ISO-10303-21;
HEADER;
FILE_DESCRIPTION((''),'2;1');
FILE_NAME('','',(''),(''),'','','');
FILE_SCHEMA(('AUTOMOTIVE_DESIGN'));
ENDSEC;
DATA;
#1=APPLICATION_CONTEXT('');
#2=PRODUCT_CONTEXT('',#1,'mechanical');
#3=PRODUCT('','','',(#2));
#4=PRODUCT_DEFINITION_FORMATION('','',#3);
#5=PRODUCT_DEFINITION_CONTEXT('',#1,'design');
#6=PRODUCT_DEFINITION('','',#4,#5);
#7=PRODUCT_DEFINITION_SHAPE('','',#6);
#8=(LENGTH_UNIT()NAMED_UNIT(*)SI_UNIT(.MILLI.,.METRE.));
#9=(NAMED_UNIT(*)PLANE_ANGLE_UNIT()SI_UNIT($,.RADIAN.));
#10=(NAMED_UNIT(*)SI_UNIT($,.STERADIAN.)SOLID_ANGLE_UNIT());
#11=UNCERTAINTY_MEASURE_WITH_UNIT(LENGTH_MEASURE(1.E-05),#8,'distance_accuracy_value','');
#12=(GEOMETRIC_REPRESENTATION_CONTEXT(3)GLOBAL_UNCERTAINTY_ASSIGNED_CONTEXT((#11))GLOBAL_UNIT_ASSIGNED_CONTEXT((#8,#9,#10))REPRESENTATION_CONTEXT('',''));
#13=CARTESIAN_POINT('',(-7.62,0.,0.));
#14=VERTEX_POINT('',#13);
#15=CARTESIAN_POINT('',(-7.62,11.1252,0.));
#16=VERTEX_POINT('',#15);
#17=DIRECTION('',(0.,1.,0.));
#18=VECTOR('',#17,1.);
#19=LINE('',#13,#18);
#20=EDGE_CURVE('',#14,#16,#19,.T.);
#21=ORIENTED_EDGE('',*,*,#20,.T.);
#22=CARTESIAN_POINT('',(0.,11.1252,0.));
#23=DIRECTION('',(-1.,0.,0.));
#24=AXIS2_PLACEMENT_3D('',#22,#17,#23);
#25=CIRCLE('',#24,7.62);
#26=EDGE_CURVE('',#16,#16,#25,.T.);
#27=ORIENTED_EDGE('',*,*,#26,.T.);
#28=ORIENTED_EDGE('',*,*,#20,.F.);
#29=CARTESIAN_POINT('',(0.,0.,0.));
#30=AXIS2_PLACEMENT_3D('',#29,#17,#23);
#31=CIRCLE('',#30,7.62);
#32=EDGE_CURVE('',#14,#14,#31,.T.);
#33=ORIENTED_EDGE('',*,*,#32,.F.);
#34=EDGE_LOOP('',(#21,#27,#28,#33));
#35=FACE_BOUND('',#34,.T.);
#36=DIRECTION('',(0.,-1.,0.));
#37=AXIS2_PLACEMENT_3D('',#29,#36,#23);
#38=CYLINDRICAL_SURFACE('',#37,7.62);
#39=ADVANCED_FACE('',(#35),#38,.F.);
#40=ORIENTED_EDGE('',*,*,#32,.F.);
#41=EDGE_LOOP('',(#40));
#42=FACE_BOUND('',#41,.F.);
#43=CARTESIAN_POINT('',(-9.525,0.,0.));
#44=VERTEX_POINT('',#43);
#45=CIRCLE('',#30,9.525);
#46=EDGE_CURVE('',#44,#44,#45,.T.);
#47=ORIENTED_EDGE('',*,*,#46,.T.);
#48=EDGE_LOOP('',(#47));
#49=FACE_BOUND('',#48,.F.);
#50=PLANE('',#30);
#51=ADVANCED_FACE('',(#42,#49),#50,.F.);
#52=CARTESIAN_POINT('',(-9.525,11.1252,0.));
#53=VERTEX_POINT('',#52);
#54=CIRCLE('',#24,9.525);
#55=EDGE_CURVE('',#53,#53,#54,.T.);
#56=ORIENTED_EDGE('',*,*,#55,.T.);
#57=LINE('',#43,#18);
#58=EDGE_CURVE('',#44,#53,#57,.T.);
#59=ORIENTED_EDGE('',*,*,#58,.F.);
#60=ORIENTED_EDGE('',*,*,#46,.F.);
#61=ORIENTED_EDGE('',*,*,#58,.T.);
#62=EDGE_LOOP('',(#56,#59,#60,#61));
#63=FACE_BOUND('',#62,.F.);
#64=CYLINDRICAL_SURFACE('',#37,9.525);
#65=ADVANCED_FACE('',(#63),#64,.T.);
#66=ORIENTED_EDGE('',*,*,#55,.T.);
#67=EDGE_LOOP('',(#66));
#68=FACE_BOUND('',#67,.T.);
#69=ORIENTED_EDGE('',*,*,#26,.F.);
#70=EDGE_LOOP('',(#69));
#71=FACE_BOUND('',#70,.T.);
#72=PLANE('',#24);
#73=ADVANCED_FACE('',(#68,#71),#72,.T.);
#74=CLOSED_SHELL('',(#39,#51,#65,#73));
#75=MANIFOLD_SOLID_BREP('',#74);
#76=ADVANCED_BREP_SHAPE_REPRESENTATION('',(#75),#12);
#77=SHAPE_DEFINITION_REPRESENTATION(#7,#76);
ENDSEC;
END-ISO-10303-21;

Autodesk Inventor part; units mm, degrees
ref_plane "YZ Plane" through (0, 0, 0) normal (1, 0, 0) x (0, 1, 0)
ref_plane "XZ Plane" through (0, 0, 0) normal (0, 1, 0) x (-1, 0, 0)
ref_plane "XY Plane" through (0, 0, 0) normal (0, 0, 1) x (1, 0, 0)
sketch "Sketch1" plane through (0, 0, 0) normal (0, 1, 0) x (-1, 0, 0)
  circle A0 centre (0, 0) radius 7.62
  circle A1 centre (0, 0) radius 9.525
  dimension "d0" = 15.24
  dimension "d1" = 19.05
extrude "Extrusion1" add sketch "Sketch1" along normal blind 11.1252
properties part number "SHOT_1_0018_Spacer4" material "Aluminum 6061"
